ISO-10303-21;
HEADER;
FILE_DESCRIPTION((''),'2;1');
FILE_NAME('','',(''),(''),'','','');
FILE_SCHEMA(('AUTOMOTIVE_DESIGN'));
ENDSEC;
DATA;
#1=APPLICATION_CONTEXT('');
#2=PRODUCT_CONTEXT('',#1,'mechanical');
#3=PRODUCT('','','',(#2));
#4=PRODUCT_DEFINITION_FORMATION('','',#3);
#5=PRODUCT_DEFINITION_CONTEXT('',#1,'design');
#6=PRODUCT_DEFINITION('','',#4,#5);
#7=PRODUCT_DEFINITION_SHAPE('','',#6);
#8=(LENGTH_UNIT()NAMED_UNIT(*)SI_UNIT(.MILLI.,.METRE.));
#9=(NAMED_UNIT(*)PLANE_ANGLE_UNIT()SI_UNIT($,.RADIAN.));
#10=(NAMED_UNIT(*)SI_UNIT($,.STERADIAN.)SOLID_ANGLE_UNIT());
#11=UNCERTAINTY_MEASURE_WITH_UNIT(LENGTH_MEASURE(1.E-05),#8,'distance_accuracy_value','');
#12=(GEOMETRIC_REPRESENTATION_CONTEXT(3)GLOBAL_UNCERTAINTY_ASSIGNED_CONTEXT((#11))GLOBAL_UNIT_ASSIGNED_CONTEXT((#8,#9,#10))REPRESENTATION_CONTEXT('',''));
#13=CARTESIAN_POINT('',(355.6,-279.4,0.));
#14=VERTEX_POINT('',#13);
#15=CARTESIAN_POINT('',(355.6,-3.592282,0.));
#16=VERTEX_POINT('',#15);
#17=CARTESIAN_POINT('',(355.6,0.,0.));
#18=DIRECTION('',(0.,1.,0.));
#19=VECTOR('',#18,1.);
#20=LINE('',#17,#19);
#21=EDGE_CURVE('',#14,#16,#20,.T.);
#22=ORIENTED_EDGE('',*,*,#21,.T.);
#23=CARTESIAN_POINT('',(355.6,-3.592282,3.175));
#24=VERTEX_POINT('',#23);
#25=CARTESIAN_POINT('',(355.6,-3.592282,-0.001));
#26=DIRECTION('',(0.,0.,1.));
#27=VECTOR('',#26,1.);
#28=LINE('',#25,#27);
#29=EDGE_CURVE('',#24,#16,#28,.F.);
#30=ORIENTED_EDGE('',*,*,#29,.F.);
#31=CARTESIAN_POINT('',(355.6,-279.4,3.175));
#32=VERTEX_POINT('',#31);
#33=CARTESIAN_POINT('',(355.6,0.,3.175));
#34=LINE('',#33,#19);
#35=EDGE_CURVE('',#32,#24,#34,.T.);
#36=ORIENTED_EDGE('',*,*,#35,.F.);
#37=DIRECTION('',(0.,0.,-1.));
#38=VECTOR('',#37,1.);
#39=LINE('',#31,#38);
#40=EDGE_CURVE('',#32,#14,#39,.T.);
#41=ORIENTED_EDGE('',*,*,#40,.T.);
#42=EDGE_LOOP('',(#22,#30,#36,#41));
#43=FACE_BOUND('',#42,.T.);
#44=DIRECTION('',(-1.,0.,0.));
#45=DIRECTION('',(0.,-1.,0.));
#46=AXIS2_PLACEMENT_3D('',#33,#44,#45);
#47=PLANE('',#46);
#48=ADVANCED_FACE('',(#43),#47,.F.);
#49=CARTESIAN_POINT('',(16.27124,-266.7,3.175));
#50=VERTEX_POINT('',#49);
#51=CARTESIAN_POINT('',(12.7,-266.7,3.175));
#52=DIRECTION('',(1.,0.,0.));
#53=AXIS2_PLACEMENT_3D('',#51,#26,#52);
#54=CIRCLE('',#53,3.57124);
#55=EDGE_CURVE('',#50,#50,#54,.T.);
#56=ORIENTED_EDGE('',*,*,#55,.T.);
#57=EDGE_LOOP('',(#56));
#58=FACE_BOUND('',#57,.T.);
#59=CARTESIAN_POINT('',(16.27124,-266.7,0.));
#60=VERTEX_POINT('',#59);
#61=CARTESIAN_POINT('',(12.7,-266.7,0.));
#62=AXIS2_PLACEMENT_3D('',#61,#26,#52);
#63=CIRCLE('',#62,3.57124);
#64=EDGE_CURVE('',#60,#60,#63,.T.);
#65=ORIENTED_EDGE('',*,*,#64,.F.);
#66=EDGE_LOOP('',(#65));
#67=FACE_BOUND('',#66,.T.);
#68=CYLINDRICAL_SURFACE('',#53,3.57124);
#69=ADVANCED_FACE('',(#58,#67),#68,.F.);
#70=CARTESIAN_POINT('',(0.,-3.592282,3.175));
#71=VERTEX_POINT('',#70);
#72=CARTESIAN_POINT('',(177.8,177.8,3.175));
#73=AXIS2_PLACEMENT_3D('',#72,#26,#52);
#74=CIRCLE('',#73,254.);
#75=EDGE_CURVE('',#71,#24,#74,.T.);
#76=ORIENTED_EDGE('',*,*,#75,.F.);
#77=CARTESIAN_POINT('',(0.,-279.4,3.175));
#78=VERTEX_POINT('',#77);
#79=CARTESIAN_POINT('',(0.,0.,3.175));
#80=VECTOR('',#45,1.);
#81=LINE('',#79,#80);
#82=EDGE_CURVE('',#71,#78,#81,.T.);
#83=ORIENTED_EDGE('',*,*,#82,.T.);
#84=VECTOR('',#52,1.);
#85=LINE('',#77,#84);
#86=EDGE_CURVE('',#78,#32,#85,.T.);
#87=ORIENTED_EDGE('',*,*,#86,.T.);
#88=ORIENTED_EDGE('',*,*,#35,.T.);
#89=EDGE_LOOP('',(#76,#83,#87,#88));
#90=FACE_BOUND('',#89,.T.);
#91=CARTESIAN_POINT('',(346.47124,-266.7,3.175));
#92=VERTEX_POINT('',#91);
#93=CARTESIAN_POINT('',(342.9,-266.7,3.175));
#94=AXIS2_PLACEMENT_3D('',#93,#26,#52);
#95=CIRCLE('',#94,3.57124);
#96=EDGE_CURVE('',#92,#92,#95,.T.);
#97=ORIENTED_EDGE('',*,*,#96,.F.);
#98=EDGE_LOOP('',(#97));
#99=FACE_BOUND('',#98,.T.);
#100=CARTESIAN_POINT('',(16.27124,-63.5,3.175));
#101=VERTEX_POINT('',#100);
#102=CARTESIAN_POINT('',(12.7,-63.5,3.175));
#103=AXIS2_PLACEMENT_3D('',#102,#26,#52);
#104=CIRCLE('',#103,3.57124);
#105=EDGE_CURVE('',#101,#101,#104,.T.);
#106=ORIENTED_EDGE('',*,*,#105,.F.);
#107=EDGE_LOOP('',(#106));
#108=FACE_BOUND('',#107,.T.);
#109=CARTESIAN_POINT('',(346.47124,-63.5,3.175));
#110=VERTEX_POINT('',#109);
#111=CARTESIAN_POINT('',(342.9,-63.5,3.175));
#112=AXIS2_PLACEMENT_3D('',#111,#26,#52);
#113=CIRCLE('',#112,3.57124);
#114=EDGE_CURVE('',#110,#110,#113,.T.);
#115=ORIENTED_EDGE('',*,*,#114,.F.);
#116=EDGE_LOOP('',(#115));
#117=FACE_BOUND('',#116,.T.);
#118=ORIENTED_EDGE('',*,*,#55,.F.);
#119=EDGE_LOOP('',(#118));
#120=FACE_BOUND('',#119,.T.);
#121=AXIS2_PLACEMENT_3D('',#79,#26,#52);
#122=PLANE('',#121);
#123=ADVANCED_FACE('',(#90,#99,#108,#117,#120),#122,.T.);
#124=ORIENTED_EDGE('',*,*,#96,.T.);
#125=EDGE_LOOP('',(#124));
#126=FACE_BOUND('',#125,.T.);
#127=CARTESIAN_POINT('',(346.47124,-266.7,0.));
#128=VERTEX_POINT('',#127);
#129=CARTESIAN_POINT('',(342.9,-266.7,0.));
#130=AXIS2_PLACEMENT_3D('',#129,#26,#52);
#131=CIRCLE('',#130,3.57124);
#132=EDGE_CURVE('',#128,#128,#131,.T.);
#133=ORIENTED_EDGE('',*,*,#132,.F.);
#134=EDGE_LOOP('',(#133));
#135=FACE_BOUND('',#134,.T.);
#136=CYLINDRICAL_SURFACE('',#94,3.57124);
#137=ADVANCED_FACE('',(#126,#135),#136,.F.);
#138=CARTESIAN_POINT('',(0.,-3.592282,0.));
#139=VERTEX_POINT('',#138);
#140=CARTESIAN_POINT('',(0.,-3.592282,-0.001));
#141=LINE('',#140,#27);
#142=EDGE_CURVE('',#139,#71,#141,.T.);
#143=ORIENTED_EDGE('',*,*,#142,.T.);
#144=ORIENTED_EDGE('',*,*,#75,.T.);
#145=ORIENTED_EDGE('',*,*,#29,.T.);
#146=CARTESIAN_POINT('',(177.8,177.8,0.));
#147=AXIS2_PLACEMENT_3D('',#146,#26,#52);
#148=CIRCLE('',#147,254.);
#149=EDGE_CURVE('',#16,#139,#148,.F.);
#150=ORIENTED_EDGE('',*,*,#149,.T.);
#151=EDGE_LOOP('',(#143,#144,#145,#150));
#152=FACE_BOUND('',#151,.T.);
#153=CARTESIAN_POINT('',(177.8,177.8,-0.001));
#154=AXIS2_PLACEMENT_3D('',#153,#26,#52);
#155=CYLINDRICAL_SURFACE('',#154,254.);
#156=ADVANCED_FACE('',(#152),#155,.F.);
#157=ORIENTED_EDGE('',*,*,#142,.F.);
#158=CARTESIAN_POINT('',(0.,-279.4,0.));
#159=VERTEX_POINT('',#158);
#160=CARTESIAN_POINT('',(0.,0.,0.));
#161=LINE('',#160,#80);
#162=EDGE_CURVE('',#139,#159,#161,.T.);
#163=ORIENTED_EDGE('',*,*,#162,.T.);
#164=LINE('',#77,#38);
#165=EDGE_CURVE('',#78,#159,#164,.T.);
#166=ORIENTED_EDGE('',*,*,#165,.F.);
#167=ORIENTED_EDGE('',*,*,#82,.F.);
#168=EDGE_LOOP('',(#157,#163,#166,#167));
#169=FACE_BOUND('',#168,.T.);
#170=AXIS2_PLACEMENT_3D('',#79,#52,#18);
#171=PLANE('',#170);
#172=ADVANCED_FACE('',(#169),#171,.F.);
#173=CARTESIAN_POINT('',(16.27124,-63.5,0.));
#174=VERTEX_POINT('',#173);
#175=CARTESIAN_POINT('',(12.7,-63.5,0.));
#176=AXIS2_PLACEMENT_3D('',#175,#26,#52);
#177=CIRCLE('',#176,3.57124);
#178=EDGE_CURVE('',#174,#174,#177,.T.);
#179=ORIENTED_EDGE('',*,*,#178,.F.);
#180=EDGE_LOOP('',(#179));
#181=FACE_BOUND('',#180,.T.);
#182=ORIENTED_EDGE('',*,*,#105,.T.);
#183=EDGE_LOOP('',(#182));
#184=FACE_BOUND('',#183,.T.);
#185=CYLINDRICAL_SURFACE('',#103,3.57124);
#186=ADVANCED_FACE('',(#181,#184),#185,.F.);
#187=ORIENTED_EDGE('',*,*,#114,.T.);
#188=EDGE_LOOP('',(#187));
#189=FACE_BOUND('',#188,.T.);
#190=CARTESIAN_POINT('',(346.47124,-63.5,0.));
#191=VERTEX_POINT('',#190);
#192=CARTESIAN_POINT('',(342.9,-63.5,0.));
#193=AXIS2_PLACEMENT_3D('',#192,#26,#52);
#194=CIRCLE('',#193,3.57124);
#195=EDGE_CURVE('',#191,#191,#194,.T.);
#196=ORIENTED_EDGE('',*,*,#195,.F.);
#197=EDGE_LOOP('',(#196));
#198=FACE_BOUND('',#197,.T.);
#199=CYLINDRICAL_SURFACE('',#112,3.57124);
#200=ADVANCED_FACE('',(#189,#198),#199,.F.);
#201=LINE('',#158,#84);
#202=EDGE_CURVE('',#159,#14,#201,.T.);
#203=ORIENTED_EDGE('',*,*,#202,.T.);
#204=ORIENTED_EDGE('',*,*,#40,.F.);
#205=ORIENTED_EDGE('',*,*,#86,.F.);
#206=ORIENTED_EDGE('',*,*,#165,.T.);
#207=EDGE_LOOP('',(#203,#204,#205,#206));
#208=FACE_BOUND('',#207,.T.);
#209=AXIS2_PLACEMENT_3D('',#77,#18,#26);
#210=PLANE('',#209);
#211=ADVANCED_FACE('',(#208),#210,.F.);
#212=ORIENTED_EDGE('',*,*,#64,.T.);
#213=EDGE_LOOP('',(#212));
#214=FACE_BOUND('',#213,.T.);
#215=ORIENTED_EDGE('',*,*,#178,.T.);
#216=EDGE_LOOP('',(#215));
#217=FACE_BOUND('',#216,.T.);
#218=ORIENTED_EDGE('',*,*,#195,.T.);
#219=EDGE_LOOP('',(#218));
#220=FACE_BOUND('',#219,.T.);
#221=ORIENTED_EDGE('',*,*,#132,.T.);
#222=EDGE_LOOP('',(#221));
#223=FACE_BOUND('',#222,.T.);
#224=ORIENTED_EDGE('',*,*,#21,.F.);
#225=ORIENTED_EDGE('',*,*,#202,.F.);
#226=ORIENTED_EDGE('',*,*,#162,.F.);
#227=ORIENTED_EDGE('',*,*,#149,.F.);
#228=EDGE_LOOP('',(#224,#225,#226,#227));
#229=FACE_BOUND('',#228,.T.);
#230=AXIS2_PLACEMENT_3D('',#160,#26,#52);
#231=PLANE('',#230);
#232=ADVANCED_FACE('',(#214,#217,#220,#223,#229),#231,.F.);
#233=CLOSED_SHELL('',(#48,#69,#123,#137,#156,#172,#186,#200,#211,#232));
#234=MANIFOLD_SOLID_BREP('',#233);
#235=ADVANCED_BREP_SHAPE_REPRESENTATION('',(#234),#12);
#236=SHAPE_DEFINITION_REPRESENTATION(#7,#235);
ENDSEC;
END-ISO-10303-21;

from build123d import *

# Parameters (mm, degrees)
SKETCH1_W               = 355.6
SKETCH1_H               = 279.4
BOSS_EXTRUDE1_DEPTH     = 3.175
F_1_4_CLEARANCE_HOLE1_D = 7.14248
CUT_EXTRUDE1_REACH      = 454.245
SKETCH4_R               = 254


with BuildPart() as part:
    # Sketch1 → Boss-Extrude1 (new body)
    with BuildSketch(Plane.XY):
        with Locations((177.8, -139.7)):
            Rectangle(SKETCH1_W, SKETCH1_H)
    extrude(amount=BOSS_EXTRUDE1_DEPTH)

    # 1/4 Clearance Hole1 (through all)
    with Locations(Plane.XY.offset(3.175)):
        with Locations((342.9, -63.5), (342.9, -266.7), (12.7, -266.7), (12.7, -63.5)):
            Hole(F_1_4_CLEARANCE_HOLE1_D / 2)

    # Sketch4 → Cut-Extrude1 (cut, up to next)
    with BuildSketch(Plane.XY.offset(3.175), mode=Mode.PRIVATE) as cut_extrude1_sk1:
        with Locations((177.8, 177.8)):
            Circle(SKETCH4_R)
    cut_extrude1_tool1 = extrude(cut_extrude1_sk1.sketch, amount=-CUT_EXTRUDE1_REACH, mode=Mode.PRIVATE) & part.part
    add(cut_extrude1_tool1.solids().sort_by_distance((177.8, 177.8, 3.175))[0], mode=Mode.SUBTRACT)


solid = part.part
